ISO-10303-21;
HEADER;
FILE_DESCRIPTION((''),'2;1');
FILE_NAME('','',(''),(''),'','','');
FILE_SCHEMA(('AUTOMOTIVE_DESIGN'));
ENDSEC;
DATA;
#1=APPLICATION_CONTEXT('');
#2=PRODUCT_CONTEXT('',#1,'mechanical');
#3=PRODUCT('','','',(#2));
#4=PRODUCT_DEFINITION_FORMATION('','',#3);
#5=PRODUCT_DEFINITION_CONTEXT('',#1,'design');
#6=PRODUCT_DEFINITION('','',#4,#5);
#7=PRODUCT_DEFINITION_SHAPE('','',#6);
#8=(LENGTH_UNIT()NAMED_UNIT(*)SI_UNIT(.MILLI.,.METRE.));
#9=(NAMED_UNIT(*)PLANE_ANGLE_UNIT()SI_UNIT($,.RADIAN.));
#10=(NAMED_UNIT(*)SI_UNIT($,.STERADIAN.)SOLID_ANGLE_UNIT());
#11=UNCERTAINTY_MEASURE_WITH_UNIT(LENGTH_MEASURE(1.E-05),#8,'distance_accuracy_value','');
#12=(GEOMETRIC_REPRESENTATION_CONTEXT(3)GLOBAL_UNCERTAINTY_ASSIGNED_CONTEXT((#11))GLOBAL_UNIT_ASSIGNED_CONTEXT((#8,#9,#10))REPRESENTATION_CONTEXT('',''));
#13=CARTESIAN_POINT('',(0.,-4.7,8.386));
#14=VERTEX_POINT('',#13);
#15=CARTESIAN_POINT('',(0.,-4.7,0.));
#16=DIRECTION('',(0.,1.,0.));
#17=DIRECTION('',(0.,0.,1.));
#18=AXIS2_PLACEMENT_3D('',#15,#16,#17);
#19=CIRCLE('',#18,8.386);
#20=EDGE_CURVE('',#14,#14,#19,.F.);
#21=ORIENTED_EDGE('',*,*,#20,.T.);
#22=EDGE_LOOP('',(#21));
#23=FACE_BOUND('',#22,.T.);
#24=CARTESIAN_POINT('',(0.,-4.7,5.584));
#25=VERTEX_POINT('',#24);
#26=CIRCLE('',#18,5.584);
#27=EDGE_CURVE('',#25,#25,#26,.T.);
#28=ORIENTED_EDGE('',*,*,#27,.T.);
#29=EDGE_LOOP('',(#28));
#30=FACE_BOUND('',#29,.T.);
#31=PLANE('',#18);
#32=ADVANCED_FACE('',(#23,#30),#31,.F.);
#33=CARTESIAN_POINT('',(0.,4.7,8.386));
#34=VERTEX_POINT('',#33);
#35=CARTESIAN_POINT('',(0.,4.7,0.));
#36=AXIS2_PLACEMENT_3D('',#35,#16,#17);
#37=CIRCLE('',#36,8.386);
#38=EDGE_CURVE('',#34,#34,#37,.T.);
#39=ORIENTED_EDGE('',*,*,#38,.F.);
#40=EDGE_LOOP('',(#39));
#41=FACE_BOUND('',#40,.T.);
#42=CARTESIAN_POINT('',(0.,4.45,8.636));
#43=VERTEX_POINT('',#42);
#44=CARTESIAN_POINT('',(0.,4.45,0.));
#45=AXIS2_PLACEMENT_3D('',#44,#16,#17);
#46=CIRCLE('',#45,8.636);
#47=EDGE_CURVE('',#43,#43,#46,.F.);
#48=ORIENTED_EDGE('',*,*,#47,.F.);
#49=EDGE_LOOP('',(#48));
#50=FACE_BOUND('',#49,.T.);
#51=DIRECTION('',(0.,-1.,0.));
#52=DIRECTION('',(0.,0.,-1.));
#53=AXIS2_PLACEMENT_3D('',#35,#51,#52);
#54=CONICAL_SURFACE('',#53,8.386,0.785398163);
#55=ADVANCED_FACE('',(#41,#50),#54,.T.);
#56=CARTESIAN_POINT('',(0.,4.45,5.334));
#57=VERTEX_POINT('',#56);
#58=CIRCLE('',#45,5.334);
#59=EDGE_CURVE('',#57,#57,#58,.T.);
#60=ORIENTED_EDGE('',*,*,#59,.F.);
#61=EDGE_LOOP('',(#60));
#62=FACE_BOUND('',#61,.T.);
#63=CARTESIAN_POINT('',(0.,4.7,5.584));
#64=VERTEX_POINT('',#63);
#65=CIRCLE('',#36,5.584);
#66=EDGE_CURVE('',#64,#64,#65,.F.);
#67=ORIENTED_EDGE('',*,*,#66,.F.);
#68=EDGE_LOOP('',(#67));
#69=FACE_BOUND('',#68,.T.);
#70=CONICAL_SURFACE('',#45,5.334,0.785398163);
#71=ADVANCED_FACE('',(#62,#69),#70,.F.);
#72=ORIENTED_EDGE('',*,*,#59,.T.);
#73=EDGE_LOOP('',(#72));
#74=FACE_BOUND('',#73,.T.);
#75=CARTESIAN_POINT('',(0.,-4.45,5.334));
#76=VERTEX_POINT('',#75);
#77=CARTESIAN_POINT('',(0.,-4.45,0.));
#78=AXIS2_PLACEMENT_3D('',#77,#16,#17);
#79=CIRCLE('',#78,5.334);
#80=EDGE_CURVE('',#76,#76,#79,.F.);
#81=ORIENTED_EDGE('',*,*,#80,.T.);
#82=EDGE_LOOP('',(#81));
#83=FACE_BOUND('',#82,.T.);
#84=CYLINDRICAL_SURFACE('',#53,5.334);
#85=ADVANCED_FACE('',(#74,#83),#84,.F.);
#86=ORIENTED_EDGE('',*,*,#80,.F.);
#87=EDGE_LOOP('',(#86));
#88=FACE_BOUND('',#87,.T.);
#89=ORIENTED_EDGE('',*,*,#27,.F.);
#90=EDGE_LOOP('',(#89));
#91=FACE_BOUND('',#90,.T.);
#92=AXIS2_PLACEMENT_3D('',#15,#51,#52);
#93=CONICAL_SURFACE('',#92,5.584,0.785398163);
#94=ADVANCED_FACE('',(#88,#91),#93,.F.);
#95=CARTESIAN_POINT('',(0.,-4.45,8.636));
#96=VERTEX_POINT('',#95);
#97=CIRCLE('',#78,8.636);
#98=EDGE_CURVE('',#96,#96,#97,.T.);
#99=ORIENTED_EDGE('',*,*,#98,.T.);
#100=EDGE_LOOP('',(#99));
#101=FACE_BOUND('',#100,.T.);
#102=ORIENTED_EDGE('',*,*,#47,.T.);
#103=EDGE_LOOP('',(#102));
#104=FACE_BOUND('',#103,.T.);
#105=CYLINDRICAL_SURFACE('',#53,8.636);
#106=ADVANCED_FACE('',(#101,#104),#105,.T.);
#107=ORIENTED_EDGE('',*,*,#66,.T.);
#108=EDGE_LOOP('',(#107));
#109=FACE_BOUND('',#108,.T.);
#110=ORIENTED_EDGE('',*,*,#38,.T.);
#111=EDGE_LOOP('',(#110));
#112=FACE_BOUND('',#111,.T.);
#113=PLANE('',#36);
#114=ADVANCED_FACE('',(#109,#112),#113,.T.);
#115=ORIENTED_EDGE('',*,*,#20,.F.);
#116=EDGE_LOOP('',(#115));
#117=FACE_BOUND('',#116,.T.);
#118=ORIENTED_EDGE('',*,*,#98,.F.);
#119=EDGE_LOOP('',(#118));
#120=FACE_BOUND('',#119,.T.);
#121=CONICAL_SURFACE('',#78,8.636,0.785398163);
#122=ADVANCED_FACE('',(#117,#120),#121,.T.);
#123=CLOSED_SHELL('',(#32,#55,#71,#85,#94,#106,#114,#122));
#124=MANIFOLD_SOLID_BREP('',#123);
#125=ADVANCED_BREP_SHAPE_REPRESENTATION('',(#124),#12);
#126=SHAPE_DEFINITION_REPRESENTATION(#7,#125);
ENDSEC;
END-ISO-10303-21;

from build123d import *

# Parameters (mm, degrees)
SKETCH2_R           = 8.636
SKETCH2_R_2         = 5.334
EXTRUDE_THIN1_DEPTH = 4.7
CHAMFER1_SIZE       = 0.25


with BuildPart() as part:
    # Sketch2 → Extrude-Thin1 (new, symmetric)
    with BuildSketch(Plane(origin=(0, 0, 0), x_dir=(1, 0, 0), z_dir=(0, 1, 0))):
        Circle(SKETCH2_R)
        Circle(SKETCH2_R_2, mode=Mode.SUBTRACT)
    extrude(amount=EXTRUDE_THIN1_DEPTH, both=True)

    # Chamfer1
    chamfer1_edges = [part.edges().sort_by_distance(p)[0] for p in [
        (-8.636, -4.7, 0),
        (-8.636, 4.7, 0),
        (-5.334, -4.7, 0),
        (-5.334, 4.7, 0),
    ]]
    chamfer(chamfer1_edges, length=CHAMFER1_SIZE)


solid = part.part
